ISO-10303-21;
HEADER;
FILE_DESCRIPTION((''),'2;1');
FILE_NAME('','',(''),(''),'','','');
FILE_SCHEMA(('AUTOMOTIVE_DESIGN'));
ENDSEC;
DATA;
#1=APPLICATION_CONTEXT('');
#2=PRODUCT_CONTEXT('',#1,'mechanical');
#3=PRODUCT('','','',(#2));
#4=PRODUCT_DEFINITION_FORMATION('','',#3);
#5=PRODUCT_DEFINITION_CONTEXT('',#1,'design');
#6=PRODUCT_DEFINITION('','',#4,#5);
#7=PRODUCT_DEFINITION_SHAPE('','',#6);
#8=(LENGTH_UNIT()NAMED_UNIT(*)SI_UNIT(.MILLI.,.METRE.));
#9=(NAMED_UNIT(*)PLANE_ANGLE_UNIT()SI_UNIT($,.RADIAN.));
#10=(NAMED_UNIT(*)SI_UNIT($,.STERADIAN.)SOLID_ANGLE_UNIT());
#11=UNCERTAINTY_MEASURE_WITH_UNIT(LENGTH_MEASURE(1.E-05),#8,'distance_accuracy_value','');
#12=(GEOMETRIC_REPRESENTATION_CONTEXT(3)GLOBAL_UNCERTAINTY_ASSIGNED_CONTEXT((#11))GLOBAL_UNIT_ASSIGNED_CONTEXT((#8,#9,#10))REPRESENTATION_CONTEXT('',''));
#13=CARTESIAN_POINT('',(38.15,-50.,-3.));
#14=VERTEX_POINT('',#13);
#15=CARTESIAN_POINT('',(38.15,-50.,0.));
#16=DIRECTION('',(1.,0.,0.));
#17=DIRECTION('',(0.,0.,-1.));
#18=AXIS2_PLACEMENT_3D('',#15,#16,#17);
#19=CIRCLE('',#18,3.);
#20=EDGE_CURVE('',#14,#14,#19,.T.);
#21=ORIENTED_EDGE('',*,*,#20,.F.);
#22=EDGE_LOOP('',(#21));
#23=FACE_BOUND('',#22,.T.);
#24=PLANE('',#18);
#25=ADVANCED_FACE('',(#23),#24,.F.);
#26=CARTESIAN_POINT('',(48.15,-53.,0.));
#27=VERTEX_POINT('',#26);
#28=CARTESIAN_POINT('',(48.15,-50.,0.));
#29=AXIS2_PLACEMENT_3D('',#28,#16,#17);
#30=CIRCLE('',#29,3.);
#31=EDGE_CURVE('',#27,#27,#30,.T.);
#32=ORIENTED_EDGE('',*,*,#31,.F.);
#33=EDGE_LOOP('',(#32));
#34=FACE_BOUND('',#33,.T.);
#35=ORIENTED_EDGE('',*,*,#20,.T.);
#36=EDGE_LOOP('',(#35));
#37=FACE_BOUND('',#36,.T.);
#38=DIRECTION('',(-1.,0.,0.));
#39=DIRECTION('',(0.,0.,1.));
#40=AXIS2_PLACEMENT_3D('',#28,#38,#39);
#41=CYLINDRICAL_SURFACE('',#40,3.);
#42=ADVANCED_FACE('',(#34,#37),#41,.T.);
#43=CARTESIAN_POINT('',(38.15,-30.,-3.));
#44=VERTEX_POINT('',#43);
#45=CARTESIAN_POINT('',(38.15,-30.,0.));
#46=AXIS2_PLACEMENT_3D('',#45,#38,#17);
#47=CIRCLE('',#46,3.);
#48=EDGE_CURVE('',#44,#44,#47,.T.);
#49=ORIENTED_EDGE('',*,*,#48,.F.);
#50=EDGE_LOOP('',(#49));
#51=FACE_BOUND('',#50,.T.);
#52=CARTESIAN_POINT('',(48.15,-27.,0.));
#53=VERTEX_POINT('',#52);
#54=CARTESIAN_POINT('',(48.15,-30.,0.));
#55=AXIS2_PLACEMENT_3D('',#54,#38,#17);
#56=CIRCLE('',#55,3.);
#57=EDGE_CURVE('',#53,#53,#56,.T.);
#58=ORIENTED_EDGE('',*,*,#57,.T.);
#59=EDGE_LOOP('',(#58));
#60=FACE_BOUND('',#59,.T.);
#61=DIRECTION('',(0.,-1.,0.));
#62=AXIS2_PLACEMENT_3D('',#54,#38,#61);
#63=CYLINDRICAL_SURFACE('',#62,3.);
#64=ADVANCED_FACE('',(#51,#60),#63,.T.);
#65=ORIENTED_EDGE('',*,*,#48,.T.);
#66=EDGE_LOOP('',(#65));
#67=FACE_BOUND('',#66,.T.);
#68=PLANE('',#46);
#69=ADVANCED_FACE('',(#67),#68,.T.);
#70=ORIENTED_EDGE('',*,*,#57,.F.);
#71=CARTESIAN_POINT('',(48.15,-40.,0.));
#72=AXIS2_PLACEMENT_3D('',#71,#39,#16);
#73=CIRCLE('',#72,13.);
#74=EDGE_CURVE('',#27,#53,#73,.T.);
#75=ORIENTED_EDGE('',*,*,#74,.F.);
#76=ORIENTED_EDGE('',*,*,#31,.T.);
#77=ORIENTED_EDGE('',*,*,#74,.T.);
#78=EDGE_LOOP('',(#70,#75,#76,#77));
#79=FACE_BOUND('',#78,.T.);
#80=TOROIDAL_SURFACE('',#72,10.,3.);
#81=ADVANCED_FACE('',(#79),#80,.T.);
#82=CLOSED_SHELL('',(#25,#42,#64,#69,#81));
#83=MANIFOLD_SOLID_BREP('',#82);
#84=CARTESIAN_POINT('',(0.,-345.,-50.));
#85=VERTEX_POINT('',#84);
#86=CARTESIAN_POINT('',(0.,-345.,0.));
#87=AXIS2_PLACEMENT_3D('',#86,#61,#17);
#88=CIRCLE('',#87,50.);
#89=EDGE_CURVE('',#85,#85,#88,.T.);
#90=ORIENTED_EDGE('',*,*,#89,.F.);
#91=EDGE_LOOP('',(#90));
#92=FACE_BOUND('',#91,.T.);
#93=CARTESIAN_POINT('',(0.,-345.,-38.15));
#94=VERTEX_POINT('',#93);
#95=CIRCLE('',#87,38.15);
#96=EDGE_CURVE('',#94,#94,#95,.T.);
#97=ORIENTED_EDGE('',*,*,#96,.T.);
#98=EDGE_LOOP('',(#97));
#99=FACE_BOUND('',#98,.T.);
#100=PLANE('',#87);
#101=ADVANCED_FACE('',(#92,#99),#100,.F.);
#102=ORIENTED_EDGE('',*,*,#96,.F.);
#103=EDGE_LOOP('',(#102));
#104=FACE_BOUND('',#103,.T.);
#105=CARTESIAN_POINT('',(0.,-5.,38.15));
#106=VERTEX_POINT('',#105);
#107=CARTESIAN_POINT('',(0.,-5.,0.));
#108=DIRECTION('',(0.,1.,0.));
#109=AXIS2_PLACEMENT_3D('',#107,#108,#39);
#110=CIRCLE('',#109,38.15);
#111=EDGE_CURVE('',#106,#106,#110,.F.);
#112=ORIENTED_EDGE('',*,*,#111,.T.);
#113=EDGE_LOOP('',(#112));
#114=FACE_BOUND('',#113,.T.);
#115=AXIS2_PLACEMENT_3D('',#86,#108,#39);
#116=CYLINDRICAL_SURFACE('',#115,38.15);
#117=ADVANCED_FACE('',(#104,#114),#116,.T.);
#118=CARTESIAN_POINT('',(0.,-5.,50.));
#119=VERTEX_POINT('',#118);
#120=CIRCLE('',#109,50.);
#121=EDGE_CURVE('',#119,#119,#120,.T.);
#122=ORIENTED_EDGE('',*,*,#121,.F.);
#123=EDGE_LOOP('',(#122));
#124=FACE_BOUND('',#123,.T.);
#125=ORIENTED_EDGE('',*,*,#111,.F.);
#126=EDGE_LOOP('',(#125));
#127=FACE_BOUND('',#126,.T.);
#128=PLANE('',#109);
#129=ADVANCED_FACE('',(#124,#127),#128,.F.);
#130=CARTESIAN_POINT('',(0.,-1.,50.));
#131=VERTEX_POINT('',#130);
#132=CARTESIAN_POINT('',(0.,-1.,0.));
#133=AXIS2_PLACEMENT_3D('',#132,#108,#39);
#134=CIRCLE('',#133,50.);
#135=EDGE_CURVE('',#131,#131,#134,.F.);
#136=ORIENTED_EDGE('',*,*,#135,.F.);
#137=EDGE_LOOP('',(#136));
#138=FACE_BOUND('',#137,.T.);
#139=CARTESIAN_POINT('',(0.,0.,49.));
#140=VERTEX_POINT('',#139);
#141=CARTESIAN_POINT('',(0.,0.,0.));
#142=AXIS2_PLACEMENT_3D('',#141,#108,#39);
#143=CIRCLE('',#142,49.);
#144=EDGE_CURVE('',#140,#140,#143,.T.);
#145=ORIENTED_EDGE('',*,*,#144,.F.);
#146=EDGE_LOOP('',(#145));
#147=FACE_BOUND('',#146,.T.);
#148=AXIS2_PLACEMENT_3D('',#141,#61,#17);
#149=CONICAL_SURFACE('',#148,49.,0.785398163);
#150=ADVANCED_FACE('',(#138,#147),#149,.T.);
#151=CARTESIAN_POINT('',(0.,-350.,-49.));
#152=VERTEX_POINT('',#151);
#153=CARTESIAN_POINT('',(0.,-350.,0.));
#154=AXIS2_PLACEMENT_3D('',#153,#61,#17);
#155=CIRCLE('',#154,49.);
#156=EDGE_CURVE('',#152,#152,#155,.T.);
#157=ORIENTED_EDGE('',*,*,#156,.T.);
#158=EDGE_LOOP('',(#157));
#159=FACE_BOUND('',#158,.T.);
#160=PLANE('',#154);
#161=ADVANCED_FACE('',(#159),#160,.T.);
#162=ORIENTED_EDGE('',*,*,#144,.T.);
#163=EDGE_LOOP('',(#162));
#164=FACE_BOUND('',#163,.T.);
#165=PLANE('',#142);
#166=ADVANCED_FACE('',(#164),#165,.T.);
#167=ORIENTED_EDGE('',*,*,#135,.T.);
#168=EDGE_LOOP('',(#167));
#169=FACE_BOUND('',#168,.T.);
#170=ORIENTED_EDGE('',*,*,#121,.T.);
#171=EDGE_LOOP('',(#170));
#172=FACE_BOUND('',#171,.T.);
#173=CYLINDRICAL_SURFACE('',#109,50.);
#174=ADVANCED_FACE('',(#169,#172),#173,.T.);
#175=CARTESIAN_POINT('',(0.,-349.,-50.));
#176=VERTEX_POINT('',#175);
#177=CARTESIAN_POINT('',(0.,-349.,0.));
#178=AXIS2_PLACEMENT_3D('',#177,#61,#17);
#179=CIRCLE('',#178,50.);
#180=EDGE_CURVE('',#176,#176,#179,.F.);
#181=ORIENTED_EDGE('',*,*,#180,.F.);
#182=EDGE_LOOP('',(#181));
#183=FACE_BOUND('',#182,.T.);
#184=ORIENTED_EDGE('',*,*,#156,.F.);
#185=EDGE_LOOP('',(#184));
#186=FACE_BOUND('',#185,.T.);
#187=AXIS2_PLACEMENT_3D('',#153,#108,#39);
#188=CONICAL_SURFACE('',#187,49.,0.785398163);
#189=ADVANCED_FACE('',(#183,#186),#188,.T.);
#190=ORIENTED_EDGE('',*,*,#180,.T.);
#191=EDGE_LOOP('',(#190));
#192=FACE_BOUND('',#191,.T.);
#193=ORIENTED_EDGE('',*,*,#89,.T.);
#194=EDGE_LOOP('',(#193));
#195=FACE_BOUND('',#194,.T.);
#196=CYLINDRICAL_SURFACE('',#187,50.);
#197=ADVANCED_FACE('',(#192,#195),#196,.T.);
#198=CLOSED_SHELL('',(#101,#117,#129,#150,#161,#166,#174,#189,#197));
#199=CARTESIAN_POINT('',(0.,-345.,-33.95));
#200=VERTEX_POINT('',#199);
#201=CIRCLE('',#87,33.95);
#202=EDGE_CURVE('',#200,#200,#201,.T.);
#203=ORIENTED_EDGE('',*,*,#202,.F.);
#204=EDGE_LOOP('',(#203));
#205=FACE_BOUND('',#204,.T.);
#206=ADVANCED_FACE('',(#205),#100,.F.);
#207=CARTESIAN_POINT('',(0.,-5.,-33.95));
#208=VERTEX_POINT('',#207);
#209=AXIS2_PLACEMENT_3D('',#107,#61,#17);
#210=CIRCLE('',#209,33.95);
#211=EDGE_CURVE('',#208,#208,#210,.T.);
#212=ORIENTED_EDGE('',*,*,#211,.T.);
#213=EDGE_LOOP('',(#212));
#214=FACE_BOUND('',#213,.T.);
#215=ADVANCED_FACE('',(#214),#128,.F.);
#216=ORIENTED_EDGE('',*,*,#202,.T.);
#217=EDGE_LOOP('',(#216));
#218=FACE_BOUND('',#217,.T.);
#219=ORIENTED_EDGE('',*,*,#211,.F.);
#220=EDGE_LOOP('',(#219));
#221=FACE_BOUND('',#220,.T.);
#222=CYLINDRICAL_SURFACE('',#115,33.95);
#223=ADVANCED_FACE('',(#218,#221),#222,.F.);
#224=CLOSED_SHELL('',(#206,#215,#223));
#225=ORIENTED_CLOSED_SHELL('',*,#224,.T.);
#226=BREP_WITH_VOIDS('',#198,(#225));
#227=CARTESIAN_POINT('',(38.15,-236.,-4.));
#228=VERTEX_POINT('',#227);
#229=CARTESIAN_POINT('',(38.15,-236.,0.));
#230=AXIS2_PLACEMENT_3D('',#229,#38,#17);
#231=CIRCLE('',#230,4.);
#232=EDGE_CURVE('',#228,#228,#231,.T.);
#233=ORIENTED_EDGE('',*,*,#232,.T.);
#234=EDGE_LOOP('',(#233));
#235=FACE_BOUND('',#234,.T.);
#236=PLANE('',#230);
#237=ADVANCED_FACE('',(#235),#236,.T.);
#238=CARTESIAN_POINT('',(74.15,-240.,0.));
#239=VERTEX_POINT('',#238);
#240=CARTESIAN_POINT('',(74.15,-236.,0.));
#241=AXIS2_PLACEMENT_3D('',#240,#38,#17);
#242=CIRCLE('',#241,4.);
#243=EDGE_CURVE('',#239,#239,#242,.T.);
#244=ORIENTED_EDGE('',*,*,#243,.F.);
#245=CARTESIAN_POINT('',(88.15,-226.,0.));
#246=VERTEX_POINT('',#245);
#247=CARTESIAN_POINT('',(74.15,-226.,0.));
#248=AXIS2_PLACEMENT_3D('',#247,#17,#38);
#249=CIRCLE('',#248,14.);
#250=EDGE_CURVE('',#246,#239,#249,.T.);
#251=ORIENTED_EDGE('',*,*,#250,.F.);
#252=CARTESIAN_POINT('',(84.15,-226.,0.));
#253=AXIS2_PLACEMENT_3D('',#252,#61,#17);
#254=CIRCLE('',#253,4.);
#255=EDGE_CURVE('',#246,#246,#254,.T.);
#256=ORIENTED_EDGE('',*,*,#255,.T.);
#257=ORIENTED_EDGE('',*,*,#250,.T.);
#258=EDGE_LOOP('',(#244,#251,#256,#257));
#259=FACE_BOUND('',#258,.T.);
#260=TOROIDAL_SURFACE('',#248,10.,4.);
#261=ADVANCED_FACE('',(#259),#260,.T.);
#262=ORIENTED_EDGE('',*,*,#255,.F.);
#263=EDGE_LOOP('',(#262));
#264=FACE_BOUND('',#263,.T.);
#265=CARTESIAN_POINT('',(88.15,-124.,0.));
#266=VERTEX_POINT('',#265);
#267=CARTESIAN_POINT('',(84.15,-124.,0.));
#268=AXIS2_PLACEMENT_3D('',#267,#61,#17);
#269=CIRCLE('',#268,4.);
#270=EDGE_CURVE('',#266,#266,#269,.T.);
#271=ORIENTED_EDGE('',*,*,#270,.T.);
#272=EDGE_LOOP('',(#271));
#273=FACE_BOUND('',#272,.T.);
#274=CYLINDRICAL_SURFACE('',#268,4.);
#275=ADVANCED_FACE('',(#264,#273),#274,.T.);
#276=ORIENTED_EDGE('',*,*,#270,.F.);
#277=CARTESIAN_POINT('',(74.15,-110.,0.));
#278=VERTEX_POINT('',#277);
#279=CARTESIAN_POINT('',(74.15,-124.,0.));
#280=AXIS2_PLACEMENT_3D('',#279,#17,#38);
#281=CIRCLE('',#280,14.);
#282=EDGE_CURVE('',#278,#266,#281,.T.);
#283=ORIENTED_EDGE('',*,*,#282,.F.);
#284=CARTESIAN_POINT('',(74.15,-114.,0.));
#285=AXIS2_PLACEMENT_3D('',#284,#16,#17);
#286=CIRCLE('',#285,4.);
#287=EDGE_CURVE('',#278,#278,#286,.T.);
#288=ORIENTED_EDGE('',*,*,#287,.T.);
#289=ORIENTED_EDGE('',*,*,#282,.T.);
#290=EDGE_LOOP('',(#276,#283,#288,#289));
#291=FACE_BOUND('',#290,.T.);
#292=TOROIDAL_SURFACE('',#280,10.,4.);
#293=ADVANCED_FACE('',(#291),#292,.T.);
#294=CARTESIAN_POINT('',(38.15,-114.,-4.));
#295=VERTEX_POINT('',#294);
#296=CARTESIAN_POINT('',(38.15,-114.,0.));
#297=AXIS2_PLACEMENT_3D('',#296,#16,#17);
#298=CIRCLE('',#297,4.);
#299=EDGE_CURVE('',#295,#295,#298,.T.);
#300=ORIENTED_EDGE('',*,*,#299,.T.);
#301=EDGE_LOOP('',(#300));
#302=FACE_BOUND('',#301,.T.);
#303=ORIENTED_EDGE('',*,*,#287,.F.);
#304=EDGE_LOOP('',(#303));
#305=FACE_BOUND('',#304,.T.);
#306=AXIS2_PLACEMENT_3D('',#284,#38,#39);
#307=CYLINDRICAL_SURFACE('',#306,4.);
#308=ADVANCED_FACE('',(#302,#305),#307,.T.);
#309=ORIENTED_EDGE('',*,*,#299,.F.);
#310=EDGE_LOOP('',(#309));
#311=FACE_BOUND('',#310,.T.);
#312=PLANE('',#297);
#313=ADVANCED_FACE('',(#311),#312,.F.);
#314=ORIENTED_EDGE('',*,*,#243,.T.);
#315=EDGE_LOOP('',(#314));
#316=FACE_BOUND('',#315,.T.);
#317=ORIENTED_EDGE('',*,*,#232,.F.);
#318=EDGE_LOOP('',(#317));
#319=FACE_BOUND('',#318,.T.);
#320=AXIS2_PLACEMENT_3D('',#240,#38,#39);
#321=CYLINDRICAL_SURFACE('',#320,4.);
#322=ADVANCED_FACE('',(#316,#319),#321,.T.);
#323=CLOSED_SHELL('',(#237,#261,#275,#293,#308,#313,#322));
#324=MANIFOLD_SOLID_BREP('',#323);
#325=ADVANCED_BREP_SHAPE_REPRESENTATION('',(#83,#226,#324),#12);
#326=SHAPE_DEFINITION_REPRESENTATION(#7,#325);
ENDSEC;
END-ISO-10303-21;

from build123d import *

# Parameters (mm, degrees)
SKETCH_1_R      = 50
EXTRUDE_1_DEPTH = 5
SKETCH_2_R      = 38.15
SKETCH_2_R_2    = 33.95
EXTRUDE_2_DEPTH = 340
SKETCH_3_R      = 50
EXTRUDE_3_DEPTH = 5
SKETCH_4_R      = 4
CHAMFER_1_SIZE  = 1
SKETCH_6_R      = 3


with BuildPart() as part:
    # Sketch 1 → 填料-伸長1 (new body)
    with BuildSketch(Plane(origin=(0, 0, 0), x_dir=(1, 0, 0), z_dir=(0, 1, 0))):
        with Locations(Location((0, 0, 0), (0, 0, 270))):
            Circle(SKETCH_1_R)
    extrude(amount=-EXTRUDE_1_DEPTH)

    # Sketch 2 → 填料-伸長2 (add)
    with BuildSketch(Plane.XZ.offset(5)):
        with Locations(Location((0, 0, 0), (0, 0, 90))):
            Circle(SKETCH_2_R)
        with Locations(Location((0, 0, 0), (0, 0, 270))):
            Circle(SKETCH_2_R_2, mode=Mode.SUBTRACT)
    extrude(amount=EXTRUDE_2_DEPTH)

    # 草圖3 → 填料-伸長3 (add)
    with BuildSketch(Plane.XZ.offset(345)):
        with Locations(Location((0, 0, 0), (0, 0, 90))):
            Circle(SKETCH_3_R)
    extrude(amount=EXTRUDE_3_DEPTH)

    # 導角1
    chamfer_1_edges = [part.edges().sort_by_distance(p)[0] for p in [
        (0, -350, -50),
        (0, 0, -50),
    ]]
    chamfer(chamfer_1_edges, length=CHAMFER_1_SIZE)


with BuildPart() as body_2:
    # 掃出1: sweep along a path in 草圖5
    with BuildLine(Plane.XY) as sweep_1_path:
        Line((38.15, -114), (74.15, -114))
        ThreePointArc((74.15, -114), (81.221067812, -116.928932188), (84.15, -124))
        Line((84.15, -124), (84.15, -226))
        ThreePointArc((84.15, -226), (81.221067812, -233.071067812), (74.15, -236))
        Line((74.15, -236), (38.15, -236))
    # 草圖4 → 掃出1 (sweep)
    with BuildSketch(Plane(origin=(38.15, 0, 0), x_dir=(0, 0, -1), z_dir=(1, 0, 0))):
        with Locations((0, -114)):
            Circle(SKETCH_4_R)
    sweep(path=sweep_1_path.line)


with BuildPart() as body_3:
    # 掃出2: sweep along a path in 草圖7
    with BuildLine(Plane.XY) as sweep_2_path:
        Line((38.15, -50), (48.15, -50))
        ThreePointArc((48.15, -50), (58.15, -40), (48.15, -30))
        Line((48.15, -30), (38.15, -30))
    # 草圖6 → 掃出2 (sweep)
    with BuildSketch(Plane(origin=(38.15, 0, 0), x_dir=(0, 0, -1), z_dir=(1, 0, 0))):
        with Locations((0, -50)):
            Circle(SKETCH_6_R)
    sweep(path=sweep_2_path.line)


solid = Compound([part.part, body_2.part, body_3.part])
